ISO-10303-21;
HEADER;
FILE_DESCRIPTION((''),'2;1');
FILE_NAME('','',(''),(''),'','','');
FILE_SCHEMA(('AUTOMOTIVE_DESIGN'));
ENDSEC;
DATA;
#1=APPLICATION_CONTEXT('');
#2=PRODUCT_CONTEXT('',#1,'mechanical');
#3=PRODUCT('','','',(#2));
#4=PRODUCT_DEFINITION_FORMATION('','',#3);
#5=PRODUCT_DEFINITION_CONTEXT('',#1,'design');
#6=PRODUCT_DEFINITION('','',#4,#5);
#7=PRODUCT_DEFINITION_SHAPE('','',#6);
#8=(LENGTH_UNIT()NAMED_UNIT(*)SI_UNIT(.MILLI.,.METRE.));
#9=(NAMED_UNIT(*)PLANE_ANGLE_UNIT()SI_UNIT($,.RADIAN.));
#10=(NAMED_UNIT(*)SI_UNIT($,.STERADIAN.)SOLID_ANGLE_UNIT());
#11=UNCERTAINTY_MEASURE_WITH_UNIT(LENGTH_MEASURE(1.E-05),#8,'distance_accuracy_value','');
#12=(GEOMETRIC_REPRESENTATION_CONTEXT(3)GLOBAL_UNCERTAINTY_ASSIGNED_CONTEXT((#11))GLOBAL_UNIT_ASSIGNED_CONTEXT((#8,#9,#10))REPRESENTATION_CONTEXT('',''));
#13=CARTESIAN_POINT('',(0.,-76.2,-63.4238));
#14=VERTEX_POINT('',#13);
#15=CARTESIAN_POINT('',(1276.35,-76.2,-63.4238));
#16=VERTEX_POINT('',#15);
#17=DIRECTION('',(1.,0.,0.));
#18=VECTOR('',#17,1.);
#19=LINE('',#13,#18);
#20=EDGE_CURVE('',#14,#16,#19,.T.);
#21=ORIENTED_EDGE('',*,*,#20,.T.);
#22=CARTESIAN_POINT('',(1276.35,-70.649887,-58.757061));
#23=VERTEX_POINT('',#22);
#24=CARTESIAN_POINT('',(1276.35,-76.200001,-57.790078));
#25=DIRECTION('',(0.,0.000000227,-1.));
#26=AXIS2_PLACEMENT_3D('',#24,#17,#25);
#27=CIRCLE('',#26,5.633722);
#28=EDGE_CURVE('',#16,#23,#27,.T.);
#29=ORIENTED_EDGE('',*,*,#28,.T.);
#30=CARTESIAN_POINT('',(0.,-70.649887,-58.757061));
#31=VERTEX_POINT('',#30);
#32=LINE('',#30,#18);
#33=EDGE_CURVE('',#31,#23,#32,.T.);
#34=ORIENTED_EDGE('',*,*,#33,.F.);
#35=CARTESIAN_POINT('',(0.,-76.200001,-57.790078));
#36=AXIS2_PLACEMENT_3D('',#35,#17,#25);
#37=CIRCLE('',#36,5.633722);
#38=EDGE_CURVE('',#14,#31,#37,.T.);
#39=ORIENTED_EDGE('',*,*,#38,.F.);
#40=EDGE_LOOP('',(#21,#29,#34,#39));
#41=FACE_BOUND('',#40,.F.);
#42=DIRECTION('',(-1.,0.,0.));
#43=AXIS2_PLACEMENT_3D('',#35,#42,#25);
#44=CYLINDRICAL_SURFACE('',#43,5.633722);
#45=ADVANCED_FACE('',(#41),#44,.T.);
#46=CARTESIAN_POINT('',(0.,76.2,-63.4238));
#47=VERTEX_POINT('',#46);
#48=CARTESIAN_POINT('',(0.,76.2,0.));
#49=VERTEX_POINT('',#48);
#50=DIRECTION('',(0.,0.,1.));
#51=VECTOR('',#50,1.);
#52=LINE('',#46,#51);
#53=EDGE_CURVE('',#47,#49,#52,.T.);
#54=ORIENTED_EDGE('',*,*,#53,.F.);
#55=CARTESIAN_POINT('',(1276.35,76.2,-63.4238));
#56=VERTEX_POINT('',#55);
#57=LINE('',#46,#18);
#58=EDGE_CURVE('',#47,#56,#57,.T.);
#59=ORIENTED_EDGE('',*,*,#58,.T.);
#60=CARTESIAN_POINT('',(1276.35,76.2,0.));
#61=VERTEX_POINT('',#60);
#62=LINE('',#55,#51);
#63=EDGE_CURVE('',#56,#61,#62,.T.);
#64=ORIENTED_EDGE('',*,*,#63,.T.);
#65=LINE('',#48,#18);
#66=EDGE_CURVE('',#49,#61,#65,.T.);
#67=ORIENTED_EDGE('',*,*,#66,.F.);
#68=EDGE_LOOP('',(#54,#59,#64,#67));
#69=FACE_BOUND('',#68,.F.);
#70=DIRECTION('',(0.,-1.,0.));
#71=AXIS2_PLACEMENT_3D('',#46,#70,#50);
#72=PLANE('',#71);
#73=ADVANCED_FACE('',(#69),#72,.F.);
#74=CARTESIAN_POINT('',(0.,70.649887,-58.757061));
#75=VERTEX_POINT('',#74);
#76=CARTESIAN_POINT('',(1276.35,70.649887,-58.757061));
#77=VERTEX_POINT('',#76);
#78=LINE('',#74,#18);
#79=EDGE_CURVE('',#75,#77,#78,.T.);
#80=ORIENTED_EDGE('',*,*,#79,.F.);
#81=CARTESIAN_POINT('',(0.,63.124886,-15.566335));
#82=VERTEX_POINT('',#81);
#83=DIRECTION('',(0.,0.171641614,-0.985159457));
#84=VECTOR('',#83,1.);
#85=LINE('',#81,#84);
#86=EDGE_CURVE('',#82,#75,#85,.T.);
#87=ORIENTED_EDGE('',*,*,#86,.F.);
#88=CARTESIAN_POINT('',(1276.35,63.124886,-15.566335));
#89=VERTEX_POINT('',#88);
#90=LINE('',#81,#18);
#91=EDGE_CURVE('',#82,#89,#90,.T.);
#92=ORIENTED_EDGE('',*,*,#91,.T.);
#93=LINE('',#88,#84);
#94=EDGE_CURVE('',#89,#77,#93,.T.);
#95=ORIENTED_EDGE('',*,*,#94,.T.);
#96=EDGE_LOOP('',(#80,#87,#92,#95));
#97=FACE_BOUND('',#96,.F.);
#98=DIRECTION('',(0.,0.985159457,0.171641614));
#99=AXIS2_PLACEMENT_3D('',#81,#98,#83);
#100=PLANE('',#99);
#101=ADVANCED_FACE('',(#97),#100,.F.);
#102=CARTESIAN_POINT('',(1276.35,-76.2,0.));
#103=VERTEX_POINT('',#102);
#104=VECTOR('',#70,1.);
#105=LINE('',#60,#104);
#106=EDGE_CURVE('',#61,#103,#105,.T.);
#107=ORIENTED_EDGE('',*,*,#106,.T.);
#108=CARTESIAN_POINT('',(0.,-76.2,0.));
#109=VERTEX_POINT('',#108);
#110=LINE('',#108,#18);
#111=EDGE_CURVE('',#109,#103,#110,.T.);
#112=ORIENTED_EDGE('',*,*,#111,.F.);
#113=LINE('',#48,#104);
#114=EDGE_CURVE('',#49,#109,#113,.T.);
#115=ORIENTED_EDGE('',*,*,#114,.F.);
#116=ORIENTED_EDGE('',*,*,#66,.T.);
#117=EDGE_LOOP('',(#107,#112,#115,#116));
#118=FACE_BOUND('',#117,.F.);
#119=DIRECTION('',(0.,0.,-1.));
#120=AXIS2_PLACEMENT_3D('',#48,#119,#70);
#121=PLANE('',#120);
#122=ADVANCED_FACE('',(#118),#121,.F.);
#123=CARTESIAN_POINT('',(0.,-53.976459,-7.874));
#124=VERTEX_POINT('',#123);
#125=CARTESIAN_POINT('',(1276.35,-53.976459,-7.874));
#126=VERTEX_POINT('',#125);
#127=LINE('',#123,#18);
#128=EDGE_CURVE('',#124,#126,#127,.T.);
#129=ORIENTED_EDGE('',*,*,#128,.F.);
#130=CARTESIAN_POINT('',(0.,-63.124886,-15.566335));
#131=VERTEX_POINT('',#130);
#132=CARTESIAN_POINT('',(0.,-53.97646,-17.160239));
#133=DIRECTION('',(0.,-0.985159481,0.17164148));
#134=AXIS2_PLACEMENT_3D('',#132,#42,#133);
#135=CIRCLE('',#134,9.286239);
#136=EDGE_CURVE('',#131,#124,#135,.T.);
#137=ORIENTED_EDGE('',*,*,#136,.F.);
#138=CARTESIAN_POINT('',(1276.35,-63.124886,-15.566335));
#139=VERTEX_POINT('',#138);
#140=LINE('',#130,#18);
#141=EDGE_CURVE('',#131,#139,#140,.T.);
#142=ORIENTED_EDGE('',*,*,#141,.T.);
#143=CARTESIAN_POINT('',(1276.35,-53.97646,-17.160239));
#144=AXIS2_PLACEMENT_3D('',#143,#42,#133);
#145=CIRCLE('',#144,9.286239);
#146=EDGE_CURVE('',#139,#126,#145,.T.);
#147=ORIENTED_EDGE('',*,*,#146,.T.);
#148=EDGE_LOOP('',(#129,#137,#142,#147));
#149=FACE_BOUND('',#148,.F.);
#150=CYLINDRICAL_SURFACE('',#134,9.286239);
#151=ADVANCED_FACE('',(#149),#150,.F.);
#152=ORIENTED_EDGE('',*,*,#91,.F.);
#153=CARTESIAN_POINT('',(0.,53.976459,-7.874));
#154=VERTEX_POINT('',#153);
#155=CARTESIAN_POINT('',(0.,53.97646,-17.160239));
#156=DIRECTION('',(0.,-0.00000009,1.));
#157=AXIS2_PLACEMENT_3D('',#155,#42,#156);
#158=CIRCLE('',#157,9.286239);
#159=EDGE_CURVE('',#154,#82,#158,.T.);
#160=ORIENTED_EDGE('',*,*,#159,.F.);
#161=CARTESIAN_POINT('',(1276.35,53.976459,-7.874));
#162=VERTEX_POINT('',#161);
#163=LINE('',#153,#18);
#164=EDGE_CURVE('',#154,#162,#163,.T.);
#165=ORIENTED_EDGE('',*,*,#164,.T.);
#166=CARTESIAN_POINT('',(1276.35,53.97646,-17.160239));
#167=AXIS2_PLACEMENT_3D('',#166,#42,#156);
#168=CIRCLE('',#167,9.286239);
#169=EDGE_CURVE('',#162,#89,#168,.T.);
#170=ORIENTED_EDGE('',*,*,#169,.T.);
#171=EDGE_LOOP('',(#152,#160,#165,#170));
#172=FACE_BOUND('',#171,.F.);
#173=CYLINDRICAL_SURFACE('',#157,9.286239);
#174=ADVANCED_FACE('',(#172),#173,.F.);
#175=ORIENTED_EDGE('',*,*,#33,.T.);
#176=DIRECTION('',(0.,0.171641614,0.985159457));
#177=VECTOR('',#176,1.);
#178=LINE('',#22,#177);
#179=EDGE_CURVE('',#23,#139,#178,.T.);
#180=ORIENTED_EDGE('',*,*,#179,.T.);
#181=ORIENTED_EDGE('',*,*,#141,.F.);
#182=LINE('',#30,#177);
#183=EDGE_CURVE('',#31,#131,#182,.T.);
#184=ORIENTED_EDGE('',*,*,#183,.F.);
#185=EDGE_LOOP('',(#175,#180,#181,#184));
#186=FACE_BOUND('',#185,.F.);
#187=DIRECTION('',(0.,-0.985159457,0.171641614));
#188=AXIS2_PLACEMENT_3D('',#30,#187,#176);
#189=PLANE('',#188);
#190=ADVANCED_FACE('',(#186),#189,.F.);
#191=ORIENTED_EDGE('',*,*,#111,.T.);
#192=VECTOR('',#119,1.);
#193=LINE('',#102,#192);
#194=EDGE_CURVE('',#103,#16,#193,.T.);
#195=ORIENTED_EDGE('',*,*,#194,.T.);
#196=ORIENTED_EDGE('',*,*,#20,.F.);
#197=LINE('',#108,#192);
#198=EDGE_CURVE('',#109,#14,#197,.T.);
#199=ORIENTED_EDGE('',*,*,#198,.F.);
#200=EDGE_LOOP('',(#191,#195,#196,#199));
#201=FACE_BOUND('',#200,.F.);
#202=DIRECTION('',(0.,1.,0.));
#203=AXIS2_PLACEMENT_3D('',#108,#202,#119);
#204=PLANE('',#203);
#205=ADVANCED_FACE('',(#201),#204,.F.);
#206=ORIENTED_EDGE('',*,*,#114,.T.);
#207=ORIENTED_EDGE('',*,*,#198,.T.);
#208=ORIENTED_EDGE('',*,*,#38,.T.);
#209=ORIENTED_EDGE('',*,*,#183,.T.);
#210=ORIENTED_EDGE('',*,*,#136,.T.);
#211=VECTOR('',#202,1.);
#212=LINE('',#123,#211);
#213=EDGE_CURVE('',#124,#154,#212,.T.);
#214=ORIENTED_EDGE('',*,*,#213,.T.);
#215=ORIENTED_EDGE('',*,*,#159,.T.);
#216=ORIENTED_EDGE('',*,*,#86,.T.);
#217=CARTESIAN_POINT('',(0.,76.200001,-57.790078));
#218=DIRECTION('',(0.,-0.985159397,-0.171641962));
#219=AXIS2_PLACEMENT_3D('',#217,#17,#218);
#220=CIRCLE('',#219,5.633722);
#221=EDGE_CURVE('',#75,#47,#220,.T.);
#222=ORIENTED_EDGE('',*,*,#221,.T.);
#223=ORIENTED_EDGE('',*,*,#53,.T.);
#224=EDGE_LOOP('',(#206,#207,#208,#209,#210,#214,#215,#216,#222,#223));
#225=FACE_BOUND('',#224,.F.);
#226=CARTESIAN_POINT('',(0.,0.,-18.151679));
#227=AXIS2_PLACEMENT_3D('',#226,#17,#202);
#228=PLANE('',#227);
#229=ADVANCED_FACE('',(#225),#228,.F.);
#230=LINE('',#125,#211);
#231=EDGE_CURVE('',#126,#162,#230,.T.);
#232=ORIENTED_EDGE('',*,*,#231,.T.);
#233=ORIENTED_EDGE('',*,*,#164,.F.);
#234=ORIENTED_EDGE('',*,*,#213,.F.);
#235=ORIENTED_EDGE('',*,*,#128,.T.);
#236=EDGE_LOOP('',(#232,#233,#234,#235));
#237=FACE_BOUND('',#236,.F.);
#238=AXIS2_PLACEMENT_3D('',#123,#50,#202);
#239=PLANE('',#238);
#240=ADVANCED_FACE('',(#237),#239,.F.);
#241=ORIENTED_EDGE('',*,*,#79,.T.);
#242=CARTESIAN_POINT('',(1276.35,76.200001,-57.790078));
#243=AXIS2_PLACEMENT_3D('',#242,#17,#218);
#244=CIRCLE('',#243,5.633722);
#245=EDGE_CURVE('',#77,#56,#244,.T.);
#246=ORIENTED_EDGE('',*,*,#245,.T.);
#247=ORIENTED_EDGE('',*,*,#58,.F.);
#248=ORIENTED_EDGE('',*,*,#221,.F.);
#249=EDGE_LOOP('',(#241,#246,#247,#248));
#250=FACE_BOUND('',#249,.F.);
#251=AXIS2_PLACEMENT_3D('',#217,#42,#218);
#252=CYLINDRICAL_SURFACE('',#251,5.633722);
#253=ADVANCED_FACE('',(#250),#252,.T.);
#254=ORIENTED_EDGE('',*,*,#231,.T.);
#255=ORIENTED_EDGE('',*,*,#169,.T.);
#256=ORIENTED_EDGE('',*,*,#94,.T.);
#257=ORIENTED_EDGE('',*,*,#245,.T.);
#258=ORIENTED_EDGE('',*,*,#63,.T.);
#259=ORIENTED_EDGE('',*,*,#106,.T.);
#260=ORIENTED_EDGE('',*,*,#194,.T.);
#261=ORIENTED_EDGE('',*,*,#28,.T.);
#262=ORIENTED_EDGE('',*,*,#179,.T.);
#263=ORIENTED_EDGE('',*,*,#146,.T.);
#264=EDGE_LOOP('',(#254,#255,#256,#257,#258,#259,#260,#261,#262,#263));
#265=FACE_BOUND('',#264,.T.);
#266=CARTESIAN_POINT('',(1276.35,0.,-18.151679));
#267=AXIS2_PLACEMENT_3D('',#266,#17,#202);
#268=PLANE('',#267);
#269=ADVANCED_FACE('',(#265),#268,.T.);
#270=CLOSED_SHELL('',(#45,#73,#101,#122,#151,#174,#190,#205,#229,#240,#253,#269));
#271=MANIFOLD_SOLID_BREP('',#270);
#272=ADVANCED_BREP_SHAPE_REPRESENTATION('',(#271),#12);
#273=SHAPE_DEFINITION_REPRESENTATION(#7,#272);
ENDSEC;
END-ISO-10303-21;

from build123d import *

# Parameters (mm, degrees)
F1_DEPTH = 1276.35


with BuildPart() as f1:
    # F0 (on Right) → F1 (new body)
    with BuildSketch(Plane.YZ):
        with BuildLine():
            Line((76.2, 0), (-76.2, 0))
            Line((-76.2, 0), (-76.2, -63.4238))
            ThreePointArc((-76.2, -63.4238), (-72.574321, -62.102069), (-70.649887, -58.757061))
            Line((-70.649887, -58.757061), (-63.124886, -15.566335))
            ThreePointArc((-63.124886, -15.566335), (-59.952782, -10.052651), (-53.976459, -7.874))
            Line((-53.976459, -7.874), (53.976459, -7.874))
            ThreePointArc((53.976459, -7.874), (59.952782, -10.052651), (63.124886, -15.566335))
            Line((63.124886, -15.566335), (70.649887, -58.757061))
            ThreePointArc((70.649887, -58.757061), (72.574321, -62.102069), (76.2, -63.4238))
            Line((76.2, -63.4238), (76.2, 0))
        make_face()
    extrude(amount=F1_DEPTH)


solid = f1.part
